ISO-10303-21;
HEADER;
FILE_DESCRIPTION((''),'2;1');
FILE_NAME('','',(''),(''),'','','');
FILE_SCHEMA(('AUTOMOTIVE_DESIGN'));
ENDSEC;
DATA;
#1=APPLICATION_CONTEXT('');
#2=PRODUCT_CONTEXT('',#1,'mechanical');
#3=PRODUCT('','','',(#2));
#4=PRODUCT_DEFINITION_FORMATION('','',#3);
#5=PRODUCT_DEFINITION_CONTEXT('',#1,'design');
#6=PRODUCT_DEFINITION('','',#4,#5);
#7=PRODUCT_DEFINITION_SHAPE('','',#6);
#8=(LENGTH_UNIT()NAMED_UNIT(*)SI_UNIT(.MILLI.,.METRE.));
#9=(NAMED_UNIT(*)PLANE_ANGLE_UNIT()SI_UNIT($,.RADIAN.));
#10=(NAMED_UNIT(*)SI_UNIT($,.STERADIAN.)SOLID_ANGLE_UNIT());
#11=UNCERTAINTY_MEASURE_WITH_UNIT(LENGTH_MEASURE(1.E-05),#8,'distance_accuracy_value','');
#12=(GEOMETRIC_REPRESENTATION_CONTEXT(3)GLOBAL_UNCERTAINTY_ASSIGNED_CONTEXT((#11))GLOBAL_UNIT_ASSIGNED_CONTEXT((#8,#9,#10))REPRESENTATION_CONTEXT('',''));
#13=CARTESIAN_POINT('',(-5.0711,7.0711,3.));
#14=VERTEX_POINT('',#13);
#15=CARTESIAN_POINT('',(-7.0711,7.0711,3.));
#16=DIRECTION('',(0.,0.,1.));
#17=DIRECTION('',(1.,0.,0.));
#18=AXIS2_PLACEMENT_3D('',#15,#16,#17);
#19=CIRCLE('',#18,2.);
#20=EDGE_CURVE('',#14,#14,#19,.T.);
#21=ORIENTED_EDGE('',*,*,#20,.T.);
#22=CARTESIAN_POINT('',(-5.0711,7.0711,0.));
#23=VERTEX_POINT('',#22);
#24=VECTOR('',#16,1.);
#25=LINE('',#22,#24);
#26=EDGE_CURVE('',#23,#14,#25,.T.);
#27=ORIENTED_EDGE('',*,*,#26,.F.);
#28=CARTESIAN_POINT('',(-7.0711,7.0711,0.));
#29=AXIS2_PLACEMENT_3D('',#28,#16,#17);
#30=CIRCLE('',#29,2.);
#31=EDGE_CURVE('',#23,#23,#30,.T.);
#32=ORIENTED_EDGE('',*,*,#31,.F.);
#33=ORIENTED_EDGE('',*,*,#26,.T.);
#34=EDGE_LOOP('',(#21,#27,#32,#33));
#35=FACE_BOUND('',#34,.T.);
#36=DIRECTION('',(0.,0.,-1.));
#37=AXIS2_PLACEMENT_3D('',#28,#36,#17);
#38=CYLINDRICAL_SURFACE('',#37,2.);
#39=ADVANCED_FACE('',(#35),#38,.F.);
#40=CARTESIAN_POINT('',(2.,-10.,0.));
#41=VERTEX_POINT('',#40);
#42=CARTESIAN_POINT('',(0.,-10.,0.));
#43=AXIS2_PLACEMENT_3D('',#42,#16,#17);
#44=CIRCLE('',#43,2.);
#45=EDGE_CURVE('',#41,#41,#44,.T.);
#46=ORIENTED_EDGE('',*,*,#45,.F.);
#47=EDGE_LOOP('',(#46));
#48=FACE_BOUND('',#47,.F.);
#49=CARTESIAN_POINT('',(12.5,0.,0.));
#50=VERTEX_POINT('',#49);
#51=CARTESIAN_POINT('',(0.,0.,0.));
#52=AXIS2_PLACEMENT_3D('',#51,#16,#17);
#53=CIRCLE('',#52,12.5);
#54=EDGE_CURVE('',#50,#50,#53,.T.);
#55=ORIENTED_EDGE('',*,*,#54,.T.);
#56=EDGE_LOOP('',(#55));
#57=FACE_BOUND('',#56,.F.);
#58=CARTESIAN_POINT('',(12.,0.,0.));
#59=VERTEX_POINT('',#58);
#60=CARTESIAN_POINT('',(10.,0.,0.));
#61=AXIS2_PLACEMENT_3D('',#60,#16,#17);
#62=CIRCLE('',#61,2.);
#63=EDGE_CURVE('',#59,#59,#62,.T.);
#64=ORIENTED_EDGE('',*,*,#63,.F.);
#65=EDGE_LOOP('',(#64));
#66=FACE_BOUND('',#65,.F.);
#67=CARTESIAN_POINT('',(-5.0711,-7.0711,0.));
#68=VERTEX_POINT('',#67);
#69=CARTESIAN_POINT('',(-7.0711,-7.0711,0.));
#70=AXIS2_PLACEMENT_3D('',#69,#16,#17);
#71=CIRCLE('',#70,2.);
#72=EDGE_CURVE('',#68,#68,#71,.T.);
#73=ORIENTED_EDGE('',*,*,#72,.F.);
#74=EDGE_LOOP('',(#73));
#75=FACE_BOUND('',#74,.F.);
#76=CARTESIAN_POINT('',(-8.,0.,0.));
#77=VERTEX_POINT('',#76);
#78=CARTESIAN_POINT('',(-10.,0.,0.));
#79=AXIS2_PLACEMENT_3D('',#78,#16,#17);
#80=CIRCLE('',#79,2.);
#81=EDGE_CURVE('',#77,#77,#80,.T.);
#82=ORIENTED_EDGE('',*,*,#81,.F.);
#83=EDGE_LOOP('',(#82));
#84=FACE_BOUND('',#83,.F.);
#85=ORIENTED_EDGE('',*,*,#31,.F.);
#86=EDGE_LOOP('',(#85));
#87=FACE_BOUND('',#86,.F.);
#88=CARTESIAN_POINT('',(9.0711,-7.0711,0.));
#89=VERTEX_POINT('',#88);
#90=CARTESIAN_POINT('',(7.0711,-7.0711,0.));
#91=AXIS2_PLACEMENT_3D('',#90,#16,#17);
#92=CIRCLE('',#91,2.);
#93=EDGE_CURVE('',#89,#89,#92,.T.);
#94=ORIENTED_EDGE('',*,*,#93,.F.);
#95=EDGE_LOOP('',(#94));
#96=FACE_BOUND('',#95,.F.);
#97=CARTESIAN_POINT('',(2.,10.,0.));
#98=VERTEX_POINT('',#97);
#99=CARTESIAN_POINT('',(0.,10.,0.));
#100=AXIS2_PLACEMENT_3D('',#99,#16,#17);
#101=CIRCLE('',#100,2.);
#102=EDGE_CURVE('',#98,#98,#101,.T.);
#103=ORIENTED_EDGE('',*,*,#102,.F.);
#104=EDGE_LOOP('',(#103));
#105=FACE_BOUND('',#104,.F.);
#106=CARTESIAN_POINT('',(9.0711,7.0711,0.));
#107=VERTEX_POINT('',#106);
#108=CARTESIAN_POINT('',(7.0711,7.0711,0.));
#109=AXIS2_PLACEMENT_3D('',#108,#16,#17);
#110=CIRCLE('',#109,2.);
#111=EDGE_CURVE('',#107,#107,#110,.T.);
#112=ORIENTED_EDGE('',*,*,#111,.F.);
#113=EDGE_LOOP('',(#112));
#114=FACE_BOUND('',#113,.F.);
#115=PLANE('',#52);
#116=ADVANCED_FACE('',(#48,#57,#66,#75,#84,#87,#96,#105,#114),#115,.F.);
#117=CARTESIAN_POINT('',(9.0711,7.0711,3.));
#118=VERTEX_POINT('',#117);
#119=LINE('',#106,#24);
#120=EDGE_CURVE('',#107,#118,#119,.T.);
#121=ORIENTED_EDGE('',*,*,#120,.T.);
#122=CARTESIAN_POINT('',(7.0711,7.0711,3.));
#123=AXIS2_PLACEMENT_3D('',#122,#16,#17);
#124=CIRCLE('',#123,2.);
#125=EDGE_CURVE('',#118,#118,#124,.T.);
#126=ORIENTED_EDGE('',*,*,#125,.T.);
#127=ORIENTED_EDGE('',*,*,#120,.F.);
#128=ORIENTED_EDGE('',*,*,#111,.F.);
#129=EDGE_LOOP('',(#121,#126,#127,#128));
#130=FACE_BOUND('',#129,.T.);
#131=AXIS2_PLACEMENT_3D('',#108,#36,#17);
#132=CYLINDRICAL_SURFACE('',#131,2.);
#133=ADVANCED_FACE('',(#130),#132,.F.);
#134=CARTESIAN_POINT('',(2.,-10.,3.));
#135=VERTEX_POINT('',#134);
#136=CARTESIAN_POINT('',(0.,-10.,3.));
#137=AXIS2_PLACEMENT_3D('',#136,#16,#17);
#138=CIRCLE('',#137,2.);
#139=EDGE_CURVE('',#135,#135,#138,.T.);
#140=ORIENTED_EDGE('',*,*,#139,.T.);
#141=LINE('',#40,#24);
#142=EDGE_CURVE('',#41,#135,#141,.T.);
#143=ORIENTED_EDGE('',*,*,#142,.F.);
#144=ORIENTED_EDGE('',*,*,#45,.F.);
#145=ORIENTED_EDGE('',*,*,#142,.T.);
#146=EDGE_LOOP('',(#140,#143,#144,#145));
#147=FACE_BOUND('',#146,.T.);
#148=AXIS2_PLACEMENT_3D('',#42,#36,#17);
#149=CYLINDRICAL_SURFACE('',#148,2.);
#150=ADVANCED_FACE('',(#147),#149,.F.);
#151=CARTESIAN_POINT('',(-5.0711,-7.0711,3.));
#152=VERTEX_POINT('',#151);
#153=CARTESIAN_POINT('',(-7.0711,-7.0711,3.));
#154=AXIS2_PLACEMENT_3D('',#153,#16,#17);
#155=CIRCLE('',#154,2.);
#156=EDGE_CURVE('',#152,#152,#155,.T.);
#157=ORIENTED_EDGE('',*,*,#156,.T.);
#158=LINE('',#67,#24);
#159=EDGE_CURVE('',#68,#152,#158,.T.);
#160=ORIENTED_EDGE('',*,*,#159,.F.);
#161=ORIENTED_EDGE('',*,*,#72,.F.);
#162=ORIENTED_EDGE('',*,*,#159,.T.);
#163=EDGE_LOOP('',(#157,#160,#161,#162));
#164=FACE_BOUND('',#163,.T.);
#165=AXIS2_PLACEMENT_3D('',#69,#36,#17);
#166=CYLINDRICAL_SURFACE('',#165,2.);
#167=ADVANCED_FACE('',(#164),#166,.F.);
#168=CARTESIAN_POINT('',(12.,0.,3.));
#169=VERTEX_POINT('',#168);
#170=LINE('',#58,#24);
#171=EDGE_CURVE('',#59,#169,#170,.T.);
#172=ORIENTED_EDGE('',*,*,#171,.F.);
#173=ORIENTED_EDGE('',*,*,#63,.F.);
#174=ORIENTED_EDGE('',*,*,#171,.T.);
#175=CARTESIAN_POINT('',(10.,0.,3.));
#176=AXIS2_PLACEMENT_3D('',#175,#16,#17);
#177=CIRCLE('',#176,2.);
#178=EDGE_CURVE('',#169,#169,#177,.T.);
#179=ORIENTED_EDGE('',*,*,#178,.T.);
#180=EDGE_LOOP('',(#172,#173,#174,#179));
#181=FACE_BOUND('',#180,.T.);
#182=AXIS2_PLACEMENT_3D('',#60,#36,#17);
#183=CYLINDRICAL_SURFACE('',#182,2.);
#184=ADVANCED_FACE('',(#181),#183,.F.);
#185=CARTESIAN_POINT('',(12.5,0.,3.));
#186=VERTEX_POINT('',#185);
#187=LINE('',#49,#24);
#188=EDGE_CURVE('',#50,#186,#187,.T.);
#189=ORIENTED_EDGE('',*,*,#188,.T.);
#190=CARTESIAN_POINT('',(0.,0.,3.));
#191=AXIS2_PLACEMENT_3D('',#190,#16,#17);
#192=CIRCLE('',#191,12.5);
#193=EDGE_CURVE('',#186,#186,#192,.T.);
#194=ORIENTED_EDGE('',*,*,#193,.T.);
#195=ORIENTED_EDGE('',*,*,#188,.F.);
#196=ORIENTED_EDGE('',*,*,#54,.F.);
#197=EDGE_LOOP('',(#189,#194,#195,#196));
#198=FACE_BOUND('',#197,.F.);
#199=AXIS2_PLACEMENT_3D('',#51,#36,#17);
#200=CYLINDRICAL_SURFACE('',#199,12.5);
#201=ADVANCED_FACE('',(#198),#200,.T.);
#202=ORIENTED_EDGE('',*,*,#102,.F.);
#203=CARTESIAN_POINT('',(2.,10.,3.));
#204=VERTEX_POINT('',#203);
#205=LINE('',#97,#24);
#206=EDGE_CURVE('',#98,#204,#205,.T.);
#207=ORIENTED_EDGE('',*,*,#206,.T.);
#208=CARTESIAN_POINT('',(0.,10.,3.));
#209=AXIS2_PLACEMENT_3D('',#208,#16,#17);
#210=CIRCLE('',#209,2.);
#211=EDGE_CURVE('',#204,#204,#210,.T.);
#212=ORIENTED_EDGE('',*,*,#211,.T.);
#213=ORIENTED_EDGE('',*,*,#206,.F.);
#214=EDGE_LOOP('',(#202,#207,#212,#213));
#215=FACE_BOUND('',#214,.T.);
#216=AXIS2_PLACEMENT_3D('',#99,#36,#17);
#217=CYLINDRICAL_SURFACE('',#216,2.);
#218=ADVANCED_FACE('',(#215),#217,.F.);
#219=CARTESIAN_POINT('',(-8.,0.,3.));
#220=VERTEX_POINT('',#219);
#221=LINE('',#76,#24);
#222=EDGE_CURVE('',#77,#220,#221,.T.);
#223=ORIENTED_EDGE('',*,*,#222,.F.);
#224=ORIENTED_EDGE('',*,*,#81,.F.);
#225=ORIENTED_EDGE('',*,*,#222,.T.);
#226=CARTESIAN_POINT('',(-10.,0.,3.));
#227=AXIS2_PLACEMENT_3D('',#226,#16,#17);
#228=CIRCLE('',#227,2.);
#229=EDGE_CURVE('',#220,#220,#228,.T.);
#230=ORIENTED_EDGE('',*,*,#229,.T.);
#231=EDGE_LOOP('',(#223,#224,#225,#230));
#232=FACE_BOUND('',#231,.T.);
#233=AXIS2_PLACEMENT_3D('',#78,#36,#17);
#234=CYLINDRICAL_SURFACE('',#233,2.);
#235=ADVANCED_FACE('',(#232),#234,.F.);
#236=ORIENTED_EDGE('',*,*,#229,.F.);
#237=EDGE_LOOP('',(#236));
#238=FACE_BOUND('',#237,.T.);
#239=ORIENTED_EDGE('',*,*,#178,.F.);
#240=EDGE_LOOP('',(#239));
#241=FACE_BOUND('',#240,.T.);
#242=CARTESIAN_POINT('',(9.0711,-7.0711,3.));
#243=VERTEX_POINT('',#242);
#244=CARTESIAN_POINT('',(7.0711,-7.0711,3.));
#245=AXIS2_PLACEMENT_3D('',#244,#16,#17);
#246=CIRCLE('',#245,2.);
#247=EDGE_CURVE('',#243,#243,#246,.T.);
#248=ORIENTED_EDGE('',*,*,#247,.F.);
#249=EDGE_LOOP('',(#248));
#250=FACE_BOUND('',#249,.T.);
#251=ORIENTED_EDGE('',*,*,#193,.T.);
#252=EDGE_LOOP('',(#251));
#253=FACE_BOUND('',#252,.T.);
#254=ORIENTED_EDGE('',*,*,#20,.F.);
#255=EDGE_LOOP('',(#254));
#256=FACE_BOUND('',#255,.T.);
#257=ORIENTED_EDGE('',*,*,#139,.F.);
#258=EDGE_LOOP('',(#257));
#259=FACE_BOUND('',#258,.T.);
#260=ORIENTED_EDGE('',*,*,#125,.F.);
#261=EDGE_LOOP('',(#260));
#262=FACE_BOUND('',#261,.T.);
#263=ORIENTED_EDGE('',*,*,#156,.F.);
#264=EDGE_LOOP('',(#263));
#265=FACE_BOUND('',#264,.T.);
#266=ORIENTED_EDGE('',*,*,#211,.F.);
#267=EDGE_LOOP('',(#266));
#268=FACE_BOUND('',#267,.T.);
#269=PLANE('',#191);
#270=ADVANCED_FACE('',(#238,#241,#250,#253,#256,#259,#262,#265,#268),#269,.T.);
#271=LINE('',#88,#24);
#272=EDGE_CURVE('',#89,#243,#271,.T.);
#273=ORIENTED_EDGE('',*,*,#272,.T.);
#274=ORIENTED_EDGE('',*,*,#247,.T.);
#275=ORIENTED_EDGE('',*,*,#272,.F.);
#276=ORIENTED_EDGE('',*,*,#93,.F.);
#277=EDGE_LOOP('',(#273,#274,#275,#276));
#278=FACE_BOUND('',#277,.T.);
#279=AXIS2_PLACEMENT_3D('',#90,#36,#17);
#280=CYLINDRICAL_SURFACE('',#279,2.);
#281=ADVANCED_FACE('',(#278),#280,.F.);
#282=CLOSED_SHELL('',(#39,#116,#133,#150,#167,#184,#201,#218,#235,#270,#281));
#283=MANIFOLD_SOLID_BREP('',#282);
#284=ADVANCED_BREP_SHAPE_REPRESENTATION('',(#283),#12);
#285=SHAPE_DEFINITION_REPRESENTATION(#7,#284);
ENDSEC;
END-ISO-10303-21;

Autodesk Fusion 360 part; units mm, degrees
sketch "スケッチ1" plane through (0, 0, 0) normal (0, 0, 1) x (1, 0, 0)
  circle A0 centre (0, 0) radius 12.5
  circle A1 centre (7.0711, 7.0711) radius 2
  circle A2 centre (0, 10) radius 2
  circle A3 centre (-7.0711, 7.0711) radius 2
  circle A4 centre (10, 0) radius 2
  circle A5 centre (-10, 0) radius 2
  circle A6 centre (7.0711, -7.0711) radius 2
  circle A7 centre (0, -10) radius 2
  circle A8 centre (-7.0711, -7.0711) radius 2
  dimension "d2" = 4
  dimension "d3" = 4
  dimension "d4" = 4
  dimension "d5" = 4
  dimension "d6" = 4
  dimension "d7" = 4
  dimension "d8" = 4
  dimension "d9" = 4
extrude "押し出し1" add sketch "スケッチ1" along normal blind 3
